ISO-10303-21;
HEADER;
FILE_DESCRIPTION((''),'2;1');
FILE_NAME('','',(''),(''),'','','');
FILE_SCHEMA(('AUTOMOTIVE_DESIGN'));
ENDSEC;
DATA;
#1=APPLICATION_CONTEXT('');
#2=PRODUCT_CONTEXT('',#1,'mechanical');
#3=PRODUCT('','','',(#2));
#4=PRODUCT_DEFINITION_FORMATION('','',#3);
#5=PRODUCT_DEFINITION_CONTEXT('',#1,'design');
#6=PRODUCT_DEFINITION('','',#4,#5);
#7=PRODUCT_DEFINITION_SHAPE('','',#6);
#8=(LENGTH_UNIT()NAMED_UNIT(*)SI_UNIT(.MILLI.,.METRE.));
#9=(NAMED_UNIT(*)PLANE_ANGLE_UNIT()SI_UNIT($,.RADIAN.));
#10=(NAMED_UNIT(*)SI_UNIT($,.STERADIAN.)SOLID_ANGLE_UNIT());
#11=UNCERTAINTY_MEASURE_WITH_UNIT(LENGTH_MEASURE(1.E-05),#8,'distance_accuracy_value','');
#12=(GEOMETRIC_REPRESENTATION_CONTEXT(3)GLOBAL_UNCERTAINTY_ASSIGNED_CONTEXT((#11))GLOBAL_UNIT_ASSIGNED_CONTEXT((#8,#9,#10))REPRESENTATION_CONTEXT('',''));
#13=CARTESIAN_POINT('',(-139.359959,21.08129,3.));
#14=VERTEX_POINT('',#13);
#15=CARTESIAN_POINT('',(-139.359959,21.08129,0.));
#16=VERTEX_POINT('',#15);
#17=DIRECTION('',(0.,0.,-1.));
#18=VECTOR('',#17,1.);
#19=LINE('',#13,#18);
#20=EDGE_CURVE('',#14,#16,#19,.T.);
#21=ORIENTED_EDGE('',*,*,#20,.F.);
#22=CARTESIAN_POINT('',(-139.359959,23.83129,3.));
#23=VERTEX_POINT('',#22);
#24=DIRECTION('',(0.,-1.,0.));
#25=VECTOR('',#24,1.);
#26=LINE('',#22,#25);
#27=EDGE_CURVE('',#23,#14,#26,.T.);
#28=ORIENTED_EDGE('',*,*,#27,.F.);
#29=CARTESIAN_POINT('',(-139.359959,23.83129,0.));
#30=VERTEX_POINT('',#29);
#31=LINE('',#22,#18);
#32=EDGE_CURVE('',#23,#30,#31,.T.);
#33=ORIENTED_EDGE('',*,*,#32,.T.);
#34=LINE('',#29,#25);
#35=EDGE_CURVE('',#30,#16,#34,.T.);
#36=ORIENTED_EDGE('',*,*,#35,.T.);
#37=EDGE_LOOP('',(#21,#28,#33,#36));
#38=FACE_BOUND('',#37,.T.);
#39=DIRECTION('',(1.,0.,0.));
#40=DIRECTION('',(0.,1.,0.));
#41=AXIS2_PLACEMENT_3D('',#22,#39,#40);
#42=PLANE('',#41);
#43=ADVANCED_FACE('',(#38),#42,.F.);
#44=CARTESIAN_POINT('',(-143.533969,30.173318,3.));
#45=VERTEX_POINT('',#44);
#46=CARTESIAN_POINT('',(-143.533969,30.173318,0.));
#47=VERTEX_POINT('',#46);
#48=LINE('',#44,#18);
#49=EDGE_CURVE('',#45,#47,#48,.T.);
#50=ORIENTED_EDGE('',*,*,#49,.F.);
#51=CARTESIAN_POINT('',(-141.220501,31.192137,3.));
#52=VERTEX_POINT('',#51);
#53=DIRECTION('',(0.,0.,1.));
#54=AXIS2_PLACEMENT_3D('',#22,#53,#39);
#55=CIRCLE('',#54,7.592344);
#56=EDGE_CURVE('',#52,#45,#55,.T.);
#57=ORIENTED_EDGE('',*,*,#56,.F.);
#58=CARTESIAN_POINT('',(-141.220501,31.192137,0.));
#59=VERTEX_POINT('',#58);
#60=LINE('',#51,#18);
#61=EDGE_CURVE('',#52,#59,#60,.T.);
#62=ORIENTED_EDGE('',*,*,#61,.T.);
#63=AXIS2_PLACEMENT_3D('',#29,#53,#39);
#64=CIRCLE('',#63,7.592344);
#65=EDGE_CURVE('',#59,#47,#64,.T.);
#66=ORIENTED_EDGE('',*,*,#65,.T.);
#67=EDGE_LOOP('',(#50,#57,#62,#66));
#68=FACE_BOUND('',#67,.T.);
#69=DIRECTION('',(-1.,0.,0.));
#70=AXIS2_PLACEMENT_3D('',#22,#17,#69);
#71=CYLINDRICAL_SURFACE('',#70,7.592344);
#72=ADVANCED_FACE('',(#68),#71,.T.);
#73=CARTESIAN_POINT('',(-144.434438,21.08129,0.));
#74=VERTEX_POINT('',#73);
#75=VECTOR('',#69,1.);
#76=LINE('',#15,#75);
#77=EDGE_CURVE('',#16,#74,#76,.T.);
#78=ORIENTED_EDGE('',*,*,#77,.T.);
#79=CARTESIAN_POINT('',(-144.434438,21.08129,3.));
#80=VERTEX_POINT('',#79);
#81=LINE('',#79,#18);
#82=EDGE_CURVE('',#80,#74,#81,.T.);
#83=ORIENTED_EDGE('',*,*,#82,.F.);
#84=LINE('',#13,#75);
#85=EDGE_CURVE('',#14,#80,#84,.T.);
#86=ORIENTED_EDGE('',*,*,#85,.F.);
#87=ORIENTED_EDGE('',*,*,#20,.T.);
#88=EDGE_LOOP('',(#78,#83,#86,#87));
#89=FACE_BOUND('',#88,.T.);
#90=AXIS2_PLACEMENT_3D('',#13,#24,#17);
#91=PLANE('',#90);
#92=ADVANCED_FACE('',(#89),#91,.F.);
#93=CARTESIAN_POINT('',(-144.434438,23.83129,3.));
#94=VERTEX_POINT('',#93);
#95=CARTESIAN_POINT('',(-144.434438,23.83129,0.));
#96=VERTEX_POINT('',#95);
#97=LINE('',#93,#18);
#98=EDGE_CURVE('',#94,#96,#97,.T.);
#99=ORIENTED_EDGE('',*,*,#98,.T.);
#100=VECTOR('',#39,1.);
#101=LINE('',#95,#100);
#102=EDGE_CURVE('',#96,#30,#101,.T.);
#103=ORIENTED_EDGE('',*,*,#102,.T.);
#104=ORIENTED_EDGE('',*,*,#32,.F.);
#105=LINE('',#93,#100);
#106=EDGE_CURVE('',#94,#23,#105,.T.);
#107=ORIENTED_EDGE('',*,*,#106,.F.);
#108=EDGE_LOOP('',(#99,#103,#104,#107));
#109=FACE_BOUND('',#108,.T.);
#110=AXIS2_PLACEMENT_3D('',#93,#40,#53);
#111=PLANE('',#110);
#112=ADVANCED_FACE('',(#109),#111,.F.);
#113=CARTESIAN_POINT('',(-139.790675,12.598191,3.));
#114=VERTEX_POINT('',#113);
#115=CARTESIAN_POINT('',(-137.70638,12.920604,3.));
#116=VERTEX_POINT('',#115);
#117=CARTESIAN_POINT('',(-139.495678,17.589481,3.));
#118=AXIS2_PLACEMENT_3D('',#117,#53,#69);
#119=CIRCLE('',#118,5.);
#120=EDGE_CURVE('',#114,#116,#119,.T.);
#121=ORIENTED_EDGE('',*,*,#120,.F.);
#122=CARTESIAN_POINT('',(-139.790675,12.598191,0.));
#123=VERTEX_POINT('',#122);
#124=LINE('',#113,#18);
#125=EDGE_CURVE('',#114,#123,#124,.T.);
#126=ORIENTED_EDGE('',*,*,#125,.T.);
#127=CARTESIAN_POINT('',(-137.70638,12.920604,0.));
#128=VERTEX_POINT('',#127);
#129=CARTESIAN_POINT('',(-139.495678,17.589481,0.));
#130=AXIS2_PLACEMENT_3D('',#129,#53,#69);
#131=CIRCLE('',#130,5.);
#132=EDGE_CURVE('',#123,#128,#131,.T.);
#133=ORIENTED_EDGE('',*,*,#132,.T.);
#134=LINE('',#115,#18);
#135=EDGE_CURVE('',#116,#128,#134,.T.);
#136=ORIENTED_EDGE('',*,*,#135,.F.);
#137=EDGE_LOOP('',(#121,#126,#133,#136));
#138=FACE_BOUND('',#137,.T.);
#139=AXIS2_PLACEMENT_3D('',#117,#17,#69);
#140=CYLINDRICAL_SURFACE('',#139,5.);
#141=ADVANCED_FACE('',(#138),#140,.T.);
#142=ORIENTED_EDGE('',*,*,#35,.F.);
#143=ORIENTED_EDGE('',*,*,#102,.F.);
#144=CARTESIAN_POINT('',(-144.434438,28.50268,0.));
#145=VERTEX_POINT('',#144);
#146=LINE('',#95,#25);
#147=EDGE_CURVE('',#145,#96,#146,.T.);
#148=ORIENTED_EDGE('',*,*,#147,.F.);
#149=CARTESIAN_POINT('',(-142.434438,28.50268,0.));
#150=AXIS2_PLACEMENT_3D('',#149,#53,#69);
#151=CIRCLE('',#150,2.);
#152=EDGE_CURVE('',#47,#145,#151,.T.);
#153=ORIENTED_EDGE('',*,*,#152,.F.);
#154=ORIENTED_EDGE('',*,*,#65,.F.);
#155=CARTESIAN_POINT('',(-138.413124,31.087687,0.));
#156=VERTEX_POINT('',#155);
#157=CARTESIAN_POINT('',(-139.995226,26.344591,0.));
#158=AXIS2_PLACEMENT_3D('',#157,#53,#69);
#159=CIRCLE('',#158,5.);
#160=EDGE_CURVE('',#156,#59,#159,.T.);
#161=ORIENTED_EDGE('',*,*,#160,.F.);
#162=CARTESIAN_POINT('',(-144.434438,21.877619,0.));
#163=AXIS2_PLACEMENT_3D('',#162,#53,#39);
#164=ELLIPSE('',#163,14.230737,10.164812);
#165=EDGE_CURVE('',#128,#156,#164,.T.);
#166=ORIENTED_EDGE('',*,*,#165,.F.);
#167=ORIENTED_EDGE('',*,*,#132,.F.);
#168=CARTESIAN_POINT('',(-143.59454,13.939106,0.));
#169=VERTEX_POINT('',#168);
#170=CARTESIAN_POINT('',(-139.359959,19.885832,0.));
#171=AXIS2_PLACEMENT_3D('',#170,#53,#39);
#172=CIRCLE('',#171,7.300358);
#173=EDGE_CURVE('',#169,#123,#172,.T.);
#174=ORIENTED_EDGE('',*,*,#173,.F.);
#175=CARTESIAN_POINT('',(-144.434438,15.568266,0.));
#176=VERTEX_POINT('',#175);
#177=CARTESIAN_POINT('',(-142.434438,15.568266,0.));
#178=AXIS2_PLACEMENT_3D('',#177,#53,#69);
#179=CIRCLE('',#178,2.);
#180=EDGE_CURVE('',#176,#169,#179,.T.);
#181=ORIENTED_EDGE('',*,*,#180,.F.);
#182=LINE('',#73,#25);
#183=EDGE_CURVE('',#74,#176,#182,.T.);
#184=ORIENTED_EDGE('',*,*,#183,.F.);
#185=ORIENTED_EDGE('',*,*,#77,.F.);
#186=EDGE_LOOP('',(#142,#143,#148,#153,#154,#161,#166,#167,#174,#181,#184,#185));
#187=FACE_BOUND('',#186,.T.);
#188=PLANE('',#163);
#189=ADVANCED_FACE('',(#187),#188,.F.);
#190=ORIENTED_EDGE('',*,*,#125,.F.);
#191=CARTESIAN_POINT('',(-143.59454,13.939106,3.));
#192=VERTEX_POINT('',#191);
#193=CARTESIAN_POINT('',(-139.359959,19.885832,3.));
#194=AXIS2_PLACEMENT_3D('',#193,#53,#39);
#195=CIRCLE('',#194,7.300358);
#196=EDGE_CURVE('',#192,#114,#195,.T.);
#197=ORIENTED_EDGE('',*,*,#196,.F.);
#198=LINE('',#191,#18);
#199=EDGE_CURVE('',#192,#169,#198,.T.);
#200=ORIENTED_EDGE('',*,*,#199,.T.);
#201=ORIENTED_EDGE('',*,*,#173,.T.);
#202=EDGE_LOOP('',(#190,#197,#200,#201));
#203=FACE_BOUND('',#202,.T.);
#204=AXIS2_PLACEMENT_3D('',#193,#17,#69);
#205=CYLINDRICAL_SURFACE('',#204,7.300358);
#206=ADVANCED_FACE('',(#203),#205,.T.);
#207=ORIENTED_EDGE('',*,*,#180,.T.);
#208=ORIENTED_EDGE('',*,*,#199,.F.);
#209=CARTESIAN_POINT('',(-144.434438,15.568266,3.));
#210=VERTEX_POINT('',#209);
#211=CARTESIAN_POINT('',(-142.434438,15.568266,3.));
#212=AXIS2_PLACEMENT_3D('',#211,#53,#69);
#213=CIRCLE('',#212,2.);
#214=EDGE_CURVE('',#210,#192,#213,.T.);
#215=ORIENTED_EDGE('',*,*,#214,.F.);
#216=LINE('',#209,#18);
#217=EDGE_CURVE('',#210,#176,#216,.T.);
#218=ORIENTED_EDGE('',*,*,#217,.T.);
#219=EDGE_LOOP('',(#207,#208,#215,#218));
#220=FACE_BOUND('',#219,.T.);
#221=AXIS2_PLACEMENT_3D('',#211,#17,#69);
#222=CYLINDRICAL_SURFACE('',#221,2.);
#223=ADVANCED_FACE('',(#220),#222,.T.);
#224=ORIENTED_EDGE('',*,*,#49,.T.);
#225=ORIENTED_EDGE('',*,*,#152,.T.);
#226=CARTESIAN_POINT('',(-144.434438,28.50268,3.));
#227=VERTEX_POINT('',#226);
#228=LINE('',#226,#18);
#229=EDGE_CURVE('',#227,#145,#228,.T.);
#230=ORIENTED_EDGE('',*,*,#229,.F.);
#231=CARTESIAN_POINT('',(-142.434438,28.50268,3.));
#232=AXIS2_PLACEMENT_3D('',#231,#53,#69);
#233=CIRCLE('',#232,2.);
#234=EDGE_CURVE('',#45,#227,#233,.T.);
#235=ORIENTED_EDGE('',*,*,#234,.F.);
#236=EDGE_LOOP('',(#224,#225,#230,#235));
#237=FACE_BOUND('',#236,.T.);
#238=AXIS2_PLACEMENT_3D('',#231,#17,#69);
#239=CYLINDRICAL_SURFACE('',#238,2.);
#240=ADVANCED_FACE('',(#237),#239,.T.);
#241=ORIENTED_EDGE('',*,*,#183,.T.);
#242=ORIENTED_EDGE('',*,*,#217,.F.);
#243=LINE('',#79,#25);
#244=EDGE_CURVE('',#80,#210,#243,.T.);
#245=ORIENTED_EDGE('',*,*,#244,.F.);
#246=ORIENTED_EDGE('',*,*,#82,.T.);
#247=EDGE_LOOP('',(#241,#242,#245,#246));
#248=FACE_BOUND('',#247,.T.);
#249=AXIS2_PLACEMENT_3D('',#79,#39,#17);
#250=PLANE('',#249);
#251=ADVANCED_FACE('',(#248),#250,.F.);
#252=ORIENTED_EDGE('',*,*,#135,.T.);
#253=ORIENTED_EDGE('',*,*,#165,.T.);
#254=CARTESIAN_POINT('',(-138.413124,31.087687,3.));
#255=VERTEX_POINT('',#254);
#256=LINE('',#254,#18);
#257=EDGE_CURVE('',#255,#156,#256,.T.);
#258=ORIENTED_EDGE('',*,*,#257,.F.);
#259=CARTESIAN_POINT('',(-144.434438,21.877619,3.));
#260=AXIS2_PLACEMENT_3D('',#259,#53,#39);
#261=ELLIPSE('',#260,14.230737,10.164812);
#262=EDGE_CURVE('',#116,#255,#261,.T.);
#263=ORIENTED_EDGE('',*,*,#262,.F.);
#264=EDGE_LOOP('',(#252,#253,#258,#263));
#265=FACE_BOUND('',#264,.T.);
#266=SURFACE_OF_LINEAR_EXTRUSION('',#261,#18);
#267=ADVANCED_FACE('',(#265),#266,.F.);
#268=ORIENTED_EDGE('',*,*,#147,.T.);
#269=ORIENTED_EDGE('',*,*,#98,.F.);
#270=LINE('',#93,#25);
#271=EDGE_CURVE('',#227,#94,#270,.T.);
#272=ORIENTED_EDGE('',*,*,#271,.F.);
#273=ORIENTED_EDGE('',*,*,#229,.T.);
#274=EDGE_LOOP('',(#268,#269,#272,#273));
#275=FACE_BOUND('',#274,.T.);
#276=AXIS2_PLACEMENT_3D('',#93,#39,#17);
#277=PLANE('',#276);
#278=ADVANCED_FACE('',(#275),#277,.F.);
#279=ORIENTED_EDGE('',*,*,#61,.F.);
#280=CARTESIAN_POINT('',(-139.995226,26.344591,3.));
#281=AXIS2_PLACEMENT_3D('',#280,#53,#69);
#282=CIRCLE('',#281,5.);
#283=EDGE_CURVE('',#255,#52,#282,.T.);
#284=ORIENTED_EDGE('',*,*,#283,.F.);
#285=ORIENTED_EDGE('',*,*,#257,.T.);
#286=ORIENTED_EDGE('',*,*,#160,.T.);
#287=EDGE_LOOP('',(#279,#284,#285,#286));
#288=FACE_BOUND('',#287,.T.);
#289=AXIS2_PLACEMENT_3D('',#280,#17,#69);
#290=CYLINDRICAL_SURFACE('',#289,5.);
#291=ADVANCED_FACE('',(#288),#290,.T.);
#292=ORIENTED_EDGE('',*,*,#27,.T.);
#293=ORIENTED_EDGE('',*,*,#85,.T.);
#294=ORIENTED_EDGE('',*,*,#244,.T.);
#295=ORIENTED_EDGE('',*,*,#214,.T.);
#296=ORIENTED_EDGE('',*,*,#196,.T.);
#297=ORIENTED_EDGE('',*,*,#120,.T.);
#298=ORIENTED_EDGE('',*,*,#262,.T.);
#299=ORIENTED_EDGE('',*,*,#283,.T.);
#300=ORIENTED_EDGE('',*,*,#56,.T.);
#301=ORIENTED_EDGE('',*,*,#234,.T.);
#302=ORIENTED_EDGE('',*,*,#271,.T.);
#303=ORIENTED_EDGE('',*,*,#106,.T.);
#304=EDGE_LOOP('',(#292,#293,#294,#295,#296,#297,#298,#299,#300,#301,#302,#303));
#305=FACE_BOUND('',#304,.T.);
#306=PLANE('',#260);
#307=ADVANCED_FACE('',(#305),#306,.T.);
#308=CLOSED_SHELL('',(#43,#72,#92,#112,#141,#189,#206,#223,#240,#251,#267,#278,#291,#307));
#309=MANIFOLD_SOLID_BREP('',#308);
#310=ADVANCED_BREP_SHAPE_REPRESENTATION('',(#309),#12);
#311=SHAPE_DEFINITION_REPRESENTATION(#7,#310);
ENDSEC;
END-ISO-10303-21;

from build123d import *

# Parameters (mm, degrees)
SALIENTE_EXTRUIR1_DEPTH = 3


with BuildPart() as part:
    # Croquis1 → Saliente-Extruir1 (new body)
    with BuildSketch(Plane.XY):
        with BuildLine():
            Line((-144.434437963, 23.831289655), (-139.359958663, 23.831289655))
            Line((-139.359958663, 23.831289655), (-139.359958663, 21.081289655))
            Line((-139.359958663, 21.081289655), (-144.434437963, 21.081289655))
            Line((-144.434437963, 21.081289655), (-144.434437963, 15.568266464))
            ThreePointArc((-144.434437963, 15.568266464), (-144.212105673, 14.651807238), (-143.59454045, 13.93910649))
            ThreePointArc((-143.59454045, 13.93910649), (-141.78704859, 13.000742202), (-139.79067514, 12.598191072))
            ThreePointArc((-139.79067514, 12.598191072), (-138.731334246, 12.648248724), (-137.706379935, 12.920604299))
            add(Edge.make_bspline(
                [(-137.706379935, 12.920604299), (-112.690499862, 22.507679551), (-138.413124465, 31.087686647)],
                knots=[5.204835954, 5.204835954, 5.204835954, 7.417095332, 7.417095332, 7.417095332], degree=2, weights=[1, 0.44812481, 1]))
            ThreePointArc((-138.413124465, 31.087686647), (-139.809326003, 31.341133977), (-141.220500745, 31.192136898))
            ThreePointArc((-141.220500745, 31.192136898), (-142.419935003, 30.779687584), (-143.533969481, 30.173317932))
            ThreePointArc((-143.533969481, 30.173317932), (-144.194986604, 29.451610375), (-144.434437963, 28.502680197))
            Line((-144.434437963, 28.502680197), (-144.434437963, 23.831289655))
        make_face()
    extrude(amount=SALIENTE_EXTRUIR1_DEPTH)


solid = part.part
